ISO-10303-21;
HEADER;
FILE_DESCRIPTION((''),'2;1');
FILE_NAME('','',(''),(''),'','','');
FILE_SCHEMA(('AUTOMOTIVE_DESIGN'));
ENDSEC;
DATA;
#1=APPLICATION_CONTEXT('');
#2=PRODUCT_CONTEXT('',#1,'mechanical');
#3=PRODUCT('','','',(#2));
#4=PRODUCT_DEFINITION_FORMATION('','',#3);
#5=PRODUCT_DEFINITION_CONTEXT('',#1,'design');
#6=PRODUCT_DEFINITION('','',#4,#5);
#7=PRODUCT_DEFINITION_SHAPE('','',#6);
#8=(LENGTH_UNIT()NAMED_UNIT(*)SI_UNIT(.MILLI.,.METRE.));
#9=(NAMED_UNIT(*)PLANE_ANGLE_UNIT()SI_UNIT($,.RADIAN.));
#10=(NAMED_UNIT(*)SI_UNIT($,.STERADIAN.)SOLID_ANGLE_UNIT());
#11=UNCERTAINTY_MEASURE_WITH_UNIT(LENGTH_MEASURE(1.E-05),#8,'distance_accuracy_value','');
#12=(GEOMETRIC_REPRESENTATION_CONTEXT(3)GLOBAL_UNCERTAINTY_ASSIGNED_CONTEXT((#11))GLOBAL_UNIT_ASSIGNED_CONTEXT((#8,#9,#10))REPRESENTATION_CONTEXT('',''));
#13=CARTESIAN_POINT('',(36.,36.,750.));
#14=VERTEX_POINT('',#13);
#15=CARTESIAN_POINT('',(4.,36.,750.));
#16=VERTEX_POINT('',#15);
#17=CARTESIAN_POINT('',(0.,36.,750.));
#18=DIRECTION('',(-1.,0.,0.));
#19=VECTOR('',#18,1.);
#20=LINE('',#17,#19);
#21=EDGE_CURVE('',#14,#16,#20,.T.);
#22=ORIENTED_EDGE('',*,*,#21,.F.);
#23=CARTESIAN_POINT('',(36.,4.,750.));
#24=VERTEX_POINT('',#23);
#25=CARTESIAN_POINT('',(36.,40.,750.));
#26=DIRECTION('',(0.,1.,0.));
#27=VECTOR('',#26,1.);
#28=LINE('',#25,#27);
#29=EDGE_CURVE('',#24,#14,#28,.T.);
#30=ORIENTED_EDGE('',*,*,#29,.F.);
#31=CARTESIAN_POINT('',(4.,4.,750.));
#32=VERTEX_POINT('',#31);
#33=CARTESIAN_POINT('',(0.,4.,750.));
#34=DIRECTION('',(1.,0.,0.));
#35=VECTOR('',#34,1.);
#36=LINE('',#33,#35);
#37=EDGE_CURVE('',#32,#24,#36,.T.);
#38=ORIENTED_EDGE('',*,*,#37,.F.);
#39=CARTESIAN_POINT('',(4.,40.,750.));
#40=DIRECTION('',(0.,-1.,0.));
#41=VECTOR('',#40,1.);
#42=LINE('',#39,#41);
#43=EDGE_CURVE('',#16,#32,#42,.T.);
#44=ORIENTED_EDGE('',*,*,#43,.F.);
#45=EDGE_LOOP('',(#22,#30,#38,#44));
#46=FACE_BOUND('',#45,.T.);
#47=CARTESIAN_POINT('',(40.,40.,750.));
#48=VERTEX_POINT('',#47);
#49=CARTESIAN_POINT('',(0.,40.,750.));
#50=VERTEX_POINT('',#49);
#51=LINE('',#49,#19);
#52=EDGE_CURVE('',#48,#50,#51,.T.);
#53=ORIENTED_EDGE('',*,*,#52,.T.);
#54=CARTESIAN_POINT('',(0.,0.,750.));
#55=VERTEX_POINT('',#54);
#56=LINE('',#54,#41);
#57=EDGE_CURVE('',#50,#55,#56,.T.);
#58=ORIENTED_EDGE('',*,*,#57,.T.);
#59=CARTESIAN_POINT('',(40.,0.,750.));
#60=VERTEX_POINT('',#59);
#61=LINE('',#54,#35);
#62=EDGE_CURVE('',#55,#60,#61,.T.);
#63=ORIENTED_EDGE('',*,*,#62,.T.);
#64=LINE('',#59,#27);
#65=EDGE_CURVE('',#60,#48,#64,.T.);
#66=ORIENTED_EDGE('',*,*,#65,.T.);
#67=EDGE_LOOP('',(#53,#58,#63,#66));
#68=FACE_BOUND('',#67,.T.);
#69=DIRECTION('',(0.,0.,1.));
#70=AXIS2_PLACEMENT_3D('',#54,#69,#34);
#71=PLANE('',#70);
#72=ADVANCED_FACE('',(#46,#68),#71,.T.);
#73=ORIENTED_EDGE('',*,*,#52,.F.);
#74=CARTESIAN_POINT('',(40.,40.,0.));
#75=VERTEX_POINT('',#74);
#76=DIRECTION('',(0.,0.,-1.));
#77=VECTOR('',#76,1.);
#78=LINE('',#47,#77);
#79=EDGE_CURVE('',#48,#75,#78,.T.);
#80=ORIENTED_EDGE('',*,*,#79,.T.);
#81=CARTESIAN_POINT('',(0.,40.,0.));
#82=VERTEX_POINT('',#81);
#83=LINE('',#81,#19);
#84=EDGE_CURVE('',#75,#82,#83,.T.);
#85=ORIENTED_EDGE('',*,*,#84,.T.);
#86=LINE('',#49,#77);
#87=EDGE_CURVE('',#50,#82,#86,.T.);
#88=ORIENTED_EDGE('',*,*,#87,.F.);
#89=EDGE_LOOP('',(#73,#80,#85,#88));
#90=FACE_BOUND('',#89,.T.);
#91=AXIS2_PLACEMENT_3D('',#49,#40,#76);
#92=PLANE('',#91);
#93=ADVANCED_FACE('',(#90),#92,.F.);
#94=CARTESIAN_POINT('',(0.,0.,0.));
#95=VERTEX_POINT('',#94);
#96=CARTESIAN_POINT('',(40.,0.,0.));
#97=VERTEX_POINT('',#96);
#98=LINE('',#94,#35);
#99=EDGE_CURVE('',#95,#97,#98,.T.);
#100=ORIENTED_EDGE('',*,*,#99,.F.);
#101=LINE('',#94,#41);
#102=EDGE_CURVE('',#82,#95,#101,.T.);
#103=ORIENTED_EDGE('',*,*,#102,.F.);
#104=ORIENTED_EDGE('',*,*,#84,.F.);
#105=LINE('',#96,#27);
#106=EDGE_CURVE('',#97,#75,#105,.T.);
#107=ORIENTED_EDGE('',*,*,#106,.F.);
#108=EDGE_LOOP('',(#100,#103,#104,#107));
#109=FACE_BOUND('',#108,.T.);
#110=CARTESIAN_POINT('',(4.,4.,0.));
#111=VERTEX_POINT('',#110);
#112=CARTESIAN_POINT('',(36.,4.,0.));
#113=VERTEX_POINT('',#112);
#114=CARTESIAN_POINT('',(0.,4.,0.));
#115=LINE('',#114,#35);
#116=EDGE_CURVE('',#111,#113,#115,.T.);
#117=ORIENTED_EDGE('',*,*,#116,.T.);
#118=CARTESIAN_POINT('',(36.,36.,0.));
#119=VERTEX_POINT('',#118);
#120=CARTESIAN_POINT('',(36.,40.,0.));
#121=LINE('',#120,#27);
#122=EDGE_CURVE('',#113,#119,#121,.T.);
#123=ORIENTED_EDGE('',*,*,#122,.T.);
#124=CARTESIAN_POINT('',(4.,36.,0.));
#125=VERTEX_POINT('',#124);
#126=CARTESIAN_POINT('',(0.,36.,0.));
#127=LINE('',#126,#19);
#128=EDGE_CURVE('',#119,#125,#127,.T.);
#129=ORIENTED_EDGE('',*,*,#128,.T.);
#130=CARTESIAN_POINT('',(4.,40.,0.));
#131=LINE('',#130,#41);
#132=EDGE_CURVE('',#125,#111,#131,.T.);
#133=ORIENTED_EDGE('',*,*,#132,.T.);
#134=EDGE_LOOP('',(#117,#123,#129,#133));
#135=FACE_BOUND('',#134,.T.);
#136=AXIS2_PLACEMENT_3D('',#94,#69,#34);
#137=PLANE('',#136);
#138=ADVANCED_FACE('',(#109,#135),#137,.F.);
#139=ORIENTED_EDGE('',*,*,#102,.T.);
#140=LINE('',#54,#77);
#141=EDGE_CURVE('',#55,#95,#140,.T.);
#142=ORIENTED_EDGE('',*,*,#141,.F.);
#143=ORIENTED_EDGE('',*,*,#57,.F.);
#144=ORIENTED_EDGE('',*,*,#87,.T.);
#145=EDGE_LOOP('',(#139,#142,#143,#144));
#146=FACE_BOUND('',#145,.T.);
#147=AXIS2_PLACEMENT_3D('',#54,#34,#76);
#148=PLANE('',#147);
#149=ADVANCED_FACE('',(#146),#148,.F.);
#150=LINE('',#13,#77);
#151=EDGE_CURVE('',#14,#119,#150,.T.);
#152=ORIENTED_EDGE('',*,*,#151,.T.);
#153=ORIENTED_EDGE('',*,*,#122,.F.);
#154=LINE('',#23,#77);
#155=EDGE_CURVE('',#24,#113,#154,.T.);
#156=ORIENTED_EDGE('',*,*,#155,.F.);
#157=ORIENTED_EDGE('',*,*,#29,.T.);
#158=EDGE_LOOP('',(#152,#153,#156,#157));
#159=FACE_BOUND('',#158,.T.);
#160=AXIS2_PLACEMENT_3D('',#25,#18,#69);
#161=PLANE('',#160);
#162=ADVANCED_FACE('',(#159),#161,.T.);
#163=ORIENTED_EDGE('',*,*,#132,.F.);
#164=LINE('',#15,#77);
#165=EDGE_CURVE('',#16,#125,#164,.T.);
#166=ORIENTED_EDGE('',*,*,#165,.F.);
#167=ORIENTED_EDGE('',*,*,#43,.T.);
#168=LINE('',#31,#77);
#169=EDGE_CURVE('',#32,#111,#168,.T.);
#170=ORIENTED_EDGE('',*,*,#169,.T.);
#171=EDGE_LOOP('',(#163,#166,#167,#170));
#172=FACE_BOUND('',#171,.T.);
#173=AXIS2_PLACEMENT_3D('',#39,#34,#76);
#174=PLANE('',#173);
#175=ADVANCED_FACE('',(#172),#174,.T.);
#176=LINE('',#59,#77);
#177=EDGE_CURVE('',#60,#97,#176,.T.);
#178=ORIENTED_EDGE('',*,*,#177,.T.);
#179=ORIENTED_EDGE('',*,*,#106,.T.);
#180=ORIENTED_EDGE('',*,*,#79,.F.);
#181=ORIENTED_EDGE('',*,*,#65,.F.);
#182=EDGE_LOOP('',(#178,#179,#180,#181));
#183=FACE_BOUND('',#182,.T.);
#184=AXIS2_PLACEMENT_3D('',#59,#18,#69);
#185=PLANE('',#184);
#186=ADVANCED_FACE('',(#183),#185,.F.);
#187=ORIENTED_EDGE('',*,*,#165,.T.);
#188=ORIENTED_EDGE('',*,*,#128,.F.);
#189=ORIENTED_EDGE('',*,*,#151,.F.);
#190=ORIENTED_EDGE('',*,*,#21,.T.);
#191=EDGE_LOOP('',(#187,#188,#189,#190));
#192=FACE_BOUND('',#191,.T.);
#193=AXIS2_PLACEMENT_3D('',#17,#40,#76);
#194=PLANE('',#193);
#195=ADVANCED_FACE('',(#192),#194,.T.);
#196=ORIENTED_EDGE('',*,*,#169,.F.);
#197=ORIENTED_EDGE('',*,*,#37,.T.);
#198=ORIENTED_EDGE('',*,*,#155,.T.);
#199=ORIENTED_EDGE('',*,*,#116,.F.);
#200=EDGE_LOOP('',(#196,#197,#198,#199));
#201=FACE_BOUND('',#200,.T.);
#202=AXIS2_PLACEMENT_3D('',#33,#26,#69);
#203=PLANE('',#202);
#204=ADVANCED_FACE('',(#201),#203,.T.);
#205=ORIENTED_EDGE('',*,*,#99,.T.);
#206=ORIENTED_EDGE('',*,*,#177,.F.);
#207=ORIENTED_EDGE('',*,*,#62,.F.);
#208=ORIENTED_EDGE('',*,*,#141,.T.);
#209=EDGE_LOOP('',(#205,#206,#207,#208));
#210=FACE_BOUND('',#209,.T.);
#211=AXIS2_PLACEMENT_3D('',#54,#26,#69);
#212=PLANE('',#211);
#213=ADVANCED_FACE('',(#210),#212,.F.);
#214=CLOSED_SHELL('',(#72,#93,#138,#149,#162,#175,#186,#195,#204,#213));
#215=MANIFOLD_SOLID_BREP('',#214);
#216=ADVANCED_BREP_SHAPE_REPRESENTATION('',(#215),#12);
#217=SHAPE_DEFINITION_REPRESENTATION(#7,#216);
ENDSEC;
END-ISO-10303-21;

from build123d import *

# Parameters (mm, degrees)
SKETCH_1_W      = 40
SKETCH_1_H      = 40
SKETCH_1_W_2    = 32
SKETCH_1_H_2    = 32
EXTRUDE_1_DEPTH = 750


with BuildPart() as part:
    # Эскиз1 → Вытянуть-Тонкостенный1 (new body)
    with BuildSketch(Plane.XY):
        with Locations((20, 20)):
            Rectangle(SKETCH_1_W, SKETCH_1_H)
        with Locations((20, 20)):
            Rectangle(SKETCH_1_W_2, SKETCH_1_H_2, mode=Mode.SUBTRACT)
    extrude(amount=EXTRUDE_1_DEPTH)


solid = part.part
